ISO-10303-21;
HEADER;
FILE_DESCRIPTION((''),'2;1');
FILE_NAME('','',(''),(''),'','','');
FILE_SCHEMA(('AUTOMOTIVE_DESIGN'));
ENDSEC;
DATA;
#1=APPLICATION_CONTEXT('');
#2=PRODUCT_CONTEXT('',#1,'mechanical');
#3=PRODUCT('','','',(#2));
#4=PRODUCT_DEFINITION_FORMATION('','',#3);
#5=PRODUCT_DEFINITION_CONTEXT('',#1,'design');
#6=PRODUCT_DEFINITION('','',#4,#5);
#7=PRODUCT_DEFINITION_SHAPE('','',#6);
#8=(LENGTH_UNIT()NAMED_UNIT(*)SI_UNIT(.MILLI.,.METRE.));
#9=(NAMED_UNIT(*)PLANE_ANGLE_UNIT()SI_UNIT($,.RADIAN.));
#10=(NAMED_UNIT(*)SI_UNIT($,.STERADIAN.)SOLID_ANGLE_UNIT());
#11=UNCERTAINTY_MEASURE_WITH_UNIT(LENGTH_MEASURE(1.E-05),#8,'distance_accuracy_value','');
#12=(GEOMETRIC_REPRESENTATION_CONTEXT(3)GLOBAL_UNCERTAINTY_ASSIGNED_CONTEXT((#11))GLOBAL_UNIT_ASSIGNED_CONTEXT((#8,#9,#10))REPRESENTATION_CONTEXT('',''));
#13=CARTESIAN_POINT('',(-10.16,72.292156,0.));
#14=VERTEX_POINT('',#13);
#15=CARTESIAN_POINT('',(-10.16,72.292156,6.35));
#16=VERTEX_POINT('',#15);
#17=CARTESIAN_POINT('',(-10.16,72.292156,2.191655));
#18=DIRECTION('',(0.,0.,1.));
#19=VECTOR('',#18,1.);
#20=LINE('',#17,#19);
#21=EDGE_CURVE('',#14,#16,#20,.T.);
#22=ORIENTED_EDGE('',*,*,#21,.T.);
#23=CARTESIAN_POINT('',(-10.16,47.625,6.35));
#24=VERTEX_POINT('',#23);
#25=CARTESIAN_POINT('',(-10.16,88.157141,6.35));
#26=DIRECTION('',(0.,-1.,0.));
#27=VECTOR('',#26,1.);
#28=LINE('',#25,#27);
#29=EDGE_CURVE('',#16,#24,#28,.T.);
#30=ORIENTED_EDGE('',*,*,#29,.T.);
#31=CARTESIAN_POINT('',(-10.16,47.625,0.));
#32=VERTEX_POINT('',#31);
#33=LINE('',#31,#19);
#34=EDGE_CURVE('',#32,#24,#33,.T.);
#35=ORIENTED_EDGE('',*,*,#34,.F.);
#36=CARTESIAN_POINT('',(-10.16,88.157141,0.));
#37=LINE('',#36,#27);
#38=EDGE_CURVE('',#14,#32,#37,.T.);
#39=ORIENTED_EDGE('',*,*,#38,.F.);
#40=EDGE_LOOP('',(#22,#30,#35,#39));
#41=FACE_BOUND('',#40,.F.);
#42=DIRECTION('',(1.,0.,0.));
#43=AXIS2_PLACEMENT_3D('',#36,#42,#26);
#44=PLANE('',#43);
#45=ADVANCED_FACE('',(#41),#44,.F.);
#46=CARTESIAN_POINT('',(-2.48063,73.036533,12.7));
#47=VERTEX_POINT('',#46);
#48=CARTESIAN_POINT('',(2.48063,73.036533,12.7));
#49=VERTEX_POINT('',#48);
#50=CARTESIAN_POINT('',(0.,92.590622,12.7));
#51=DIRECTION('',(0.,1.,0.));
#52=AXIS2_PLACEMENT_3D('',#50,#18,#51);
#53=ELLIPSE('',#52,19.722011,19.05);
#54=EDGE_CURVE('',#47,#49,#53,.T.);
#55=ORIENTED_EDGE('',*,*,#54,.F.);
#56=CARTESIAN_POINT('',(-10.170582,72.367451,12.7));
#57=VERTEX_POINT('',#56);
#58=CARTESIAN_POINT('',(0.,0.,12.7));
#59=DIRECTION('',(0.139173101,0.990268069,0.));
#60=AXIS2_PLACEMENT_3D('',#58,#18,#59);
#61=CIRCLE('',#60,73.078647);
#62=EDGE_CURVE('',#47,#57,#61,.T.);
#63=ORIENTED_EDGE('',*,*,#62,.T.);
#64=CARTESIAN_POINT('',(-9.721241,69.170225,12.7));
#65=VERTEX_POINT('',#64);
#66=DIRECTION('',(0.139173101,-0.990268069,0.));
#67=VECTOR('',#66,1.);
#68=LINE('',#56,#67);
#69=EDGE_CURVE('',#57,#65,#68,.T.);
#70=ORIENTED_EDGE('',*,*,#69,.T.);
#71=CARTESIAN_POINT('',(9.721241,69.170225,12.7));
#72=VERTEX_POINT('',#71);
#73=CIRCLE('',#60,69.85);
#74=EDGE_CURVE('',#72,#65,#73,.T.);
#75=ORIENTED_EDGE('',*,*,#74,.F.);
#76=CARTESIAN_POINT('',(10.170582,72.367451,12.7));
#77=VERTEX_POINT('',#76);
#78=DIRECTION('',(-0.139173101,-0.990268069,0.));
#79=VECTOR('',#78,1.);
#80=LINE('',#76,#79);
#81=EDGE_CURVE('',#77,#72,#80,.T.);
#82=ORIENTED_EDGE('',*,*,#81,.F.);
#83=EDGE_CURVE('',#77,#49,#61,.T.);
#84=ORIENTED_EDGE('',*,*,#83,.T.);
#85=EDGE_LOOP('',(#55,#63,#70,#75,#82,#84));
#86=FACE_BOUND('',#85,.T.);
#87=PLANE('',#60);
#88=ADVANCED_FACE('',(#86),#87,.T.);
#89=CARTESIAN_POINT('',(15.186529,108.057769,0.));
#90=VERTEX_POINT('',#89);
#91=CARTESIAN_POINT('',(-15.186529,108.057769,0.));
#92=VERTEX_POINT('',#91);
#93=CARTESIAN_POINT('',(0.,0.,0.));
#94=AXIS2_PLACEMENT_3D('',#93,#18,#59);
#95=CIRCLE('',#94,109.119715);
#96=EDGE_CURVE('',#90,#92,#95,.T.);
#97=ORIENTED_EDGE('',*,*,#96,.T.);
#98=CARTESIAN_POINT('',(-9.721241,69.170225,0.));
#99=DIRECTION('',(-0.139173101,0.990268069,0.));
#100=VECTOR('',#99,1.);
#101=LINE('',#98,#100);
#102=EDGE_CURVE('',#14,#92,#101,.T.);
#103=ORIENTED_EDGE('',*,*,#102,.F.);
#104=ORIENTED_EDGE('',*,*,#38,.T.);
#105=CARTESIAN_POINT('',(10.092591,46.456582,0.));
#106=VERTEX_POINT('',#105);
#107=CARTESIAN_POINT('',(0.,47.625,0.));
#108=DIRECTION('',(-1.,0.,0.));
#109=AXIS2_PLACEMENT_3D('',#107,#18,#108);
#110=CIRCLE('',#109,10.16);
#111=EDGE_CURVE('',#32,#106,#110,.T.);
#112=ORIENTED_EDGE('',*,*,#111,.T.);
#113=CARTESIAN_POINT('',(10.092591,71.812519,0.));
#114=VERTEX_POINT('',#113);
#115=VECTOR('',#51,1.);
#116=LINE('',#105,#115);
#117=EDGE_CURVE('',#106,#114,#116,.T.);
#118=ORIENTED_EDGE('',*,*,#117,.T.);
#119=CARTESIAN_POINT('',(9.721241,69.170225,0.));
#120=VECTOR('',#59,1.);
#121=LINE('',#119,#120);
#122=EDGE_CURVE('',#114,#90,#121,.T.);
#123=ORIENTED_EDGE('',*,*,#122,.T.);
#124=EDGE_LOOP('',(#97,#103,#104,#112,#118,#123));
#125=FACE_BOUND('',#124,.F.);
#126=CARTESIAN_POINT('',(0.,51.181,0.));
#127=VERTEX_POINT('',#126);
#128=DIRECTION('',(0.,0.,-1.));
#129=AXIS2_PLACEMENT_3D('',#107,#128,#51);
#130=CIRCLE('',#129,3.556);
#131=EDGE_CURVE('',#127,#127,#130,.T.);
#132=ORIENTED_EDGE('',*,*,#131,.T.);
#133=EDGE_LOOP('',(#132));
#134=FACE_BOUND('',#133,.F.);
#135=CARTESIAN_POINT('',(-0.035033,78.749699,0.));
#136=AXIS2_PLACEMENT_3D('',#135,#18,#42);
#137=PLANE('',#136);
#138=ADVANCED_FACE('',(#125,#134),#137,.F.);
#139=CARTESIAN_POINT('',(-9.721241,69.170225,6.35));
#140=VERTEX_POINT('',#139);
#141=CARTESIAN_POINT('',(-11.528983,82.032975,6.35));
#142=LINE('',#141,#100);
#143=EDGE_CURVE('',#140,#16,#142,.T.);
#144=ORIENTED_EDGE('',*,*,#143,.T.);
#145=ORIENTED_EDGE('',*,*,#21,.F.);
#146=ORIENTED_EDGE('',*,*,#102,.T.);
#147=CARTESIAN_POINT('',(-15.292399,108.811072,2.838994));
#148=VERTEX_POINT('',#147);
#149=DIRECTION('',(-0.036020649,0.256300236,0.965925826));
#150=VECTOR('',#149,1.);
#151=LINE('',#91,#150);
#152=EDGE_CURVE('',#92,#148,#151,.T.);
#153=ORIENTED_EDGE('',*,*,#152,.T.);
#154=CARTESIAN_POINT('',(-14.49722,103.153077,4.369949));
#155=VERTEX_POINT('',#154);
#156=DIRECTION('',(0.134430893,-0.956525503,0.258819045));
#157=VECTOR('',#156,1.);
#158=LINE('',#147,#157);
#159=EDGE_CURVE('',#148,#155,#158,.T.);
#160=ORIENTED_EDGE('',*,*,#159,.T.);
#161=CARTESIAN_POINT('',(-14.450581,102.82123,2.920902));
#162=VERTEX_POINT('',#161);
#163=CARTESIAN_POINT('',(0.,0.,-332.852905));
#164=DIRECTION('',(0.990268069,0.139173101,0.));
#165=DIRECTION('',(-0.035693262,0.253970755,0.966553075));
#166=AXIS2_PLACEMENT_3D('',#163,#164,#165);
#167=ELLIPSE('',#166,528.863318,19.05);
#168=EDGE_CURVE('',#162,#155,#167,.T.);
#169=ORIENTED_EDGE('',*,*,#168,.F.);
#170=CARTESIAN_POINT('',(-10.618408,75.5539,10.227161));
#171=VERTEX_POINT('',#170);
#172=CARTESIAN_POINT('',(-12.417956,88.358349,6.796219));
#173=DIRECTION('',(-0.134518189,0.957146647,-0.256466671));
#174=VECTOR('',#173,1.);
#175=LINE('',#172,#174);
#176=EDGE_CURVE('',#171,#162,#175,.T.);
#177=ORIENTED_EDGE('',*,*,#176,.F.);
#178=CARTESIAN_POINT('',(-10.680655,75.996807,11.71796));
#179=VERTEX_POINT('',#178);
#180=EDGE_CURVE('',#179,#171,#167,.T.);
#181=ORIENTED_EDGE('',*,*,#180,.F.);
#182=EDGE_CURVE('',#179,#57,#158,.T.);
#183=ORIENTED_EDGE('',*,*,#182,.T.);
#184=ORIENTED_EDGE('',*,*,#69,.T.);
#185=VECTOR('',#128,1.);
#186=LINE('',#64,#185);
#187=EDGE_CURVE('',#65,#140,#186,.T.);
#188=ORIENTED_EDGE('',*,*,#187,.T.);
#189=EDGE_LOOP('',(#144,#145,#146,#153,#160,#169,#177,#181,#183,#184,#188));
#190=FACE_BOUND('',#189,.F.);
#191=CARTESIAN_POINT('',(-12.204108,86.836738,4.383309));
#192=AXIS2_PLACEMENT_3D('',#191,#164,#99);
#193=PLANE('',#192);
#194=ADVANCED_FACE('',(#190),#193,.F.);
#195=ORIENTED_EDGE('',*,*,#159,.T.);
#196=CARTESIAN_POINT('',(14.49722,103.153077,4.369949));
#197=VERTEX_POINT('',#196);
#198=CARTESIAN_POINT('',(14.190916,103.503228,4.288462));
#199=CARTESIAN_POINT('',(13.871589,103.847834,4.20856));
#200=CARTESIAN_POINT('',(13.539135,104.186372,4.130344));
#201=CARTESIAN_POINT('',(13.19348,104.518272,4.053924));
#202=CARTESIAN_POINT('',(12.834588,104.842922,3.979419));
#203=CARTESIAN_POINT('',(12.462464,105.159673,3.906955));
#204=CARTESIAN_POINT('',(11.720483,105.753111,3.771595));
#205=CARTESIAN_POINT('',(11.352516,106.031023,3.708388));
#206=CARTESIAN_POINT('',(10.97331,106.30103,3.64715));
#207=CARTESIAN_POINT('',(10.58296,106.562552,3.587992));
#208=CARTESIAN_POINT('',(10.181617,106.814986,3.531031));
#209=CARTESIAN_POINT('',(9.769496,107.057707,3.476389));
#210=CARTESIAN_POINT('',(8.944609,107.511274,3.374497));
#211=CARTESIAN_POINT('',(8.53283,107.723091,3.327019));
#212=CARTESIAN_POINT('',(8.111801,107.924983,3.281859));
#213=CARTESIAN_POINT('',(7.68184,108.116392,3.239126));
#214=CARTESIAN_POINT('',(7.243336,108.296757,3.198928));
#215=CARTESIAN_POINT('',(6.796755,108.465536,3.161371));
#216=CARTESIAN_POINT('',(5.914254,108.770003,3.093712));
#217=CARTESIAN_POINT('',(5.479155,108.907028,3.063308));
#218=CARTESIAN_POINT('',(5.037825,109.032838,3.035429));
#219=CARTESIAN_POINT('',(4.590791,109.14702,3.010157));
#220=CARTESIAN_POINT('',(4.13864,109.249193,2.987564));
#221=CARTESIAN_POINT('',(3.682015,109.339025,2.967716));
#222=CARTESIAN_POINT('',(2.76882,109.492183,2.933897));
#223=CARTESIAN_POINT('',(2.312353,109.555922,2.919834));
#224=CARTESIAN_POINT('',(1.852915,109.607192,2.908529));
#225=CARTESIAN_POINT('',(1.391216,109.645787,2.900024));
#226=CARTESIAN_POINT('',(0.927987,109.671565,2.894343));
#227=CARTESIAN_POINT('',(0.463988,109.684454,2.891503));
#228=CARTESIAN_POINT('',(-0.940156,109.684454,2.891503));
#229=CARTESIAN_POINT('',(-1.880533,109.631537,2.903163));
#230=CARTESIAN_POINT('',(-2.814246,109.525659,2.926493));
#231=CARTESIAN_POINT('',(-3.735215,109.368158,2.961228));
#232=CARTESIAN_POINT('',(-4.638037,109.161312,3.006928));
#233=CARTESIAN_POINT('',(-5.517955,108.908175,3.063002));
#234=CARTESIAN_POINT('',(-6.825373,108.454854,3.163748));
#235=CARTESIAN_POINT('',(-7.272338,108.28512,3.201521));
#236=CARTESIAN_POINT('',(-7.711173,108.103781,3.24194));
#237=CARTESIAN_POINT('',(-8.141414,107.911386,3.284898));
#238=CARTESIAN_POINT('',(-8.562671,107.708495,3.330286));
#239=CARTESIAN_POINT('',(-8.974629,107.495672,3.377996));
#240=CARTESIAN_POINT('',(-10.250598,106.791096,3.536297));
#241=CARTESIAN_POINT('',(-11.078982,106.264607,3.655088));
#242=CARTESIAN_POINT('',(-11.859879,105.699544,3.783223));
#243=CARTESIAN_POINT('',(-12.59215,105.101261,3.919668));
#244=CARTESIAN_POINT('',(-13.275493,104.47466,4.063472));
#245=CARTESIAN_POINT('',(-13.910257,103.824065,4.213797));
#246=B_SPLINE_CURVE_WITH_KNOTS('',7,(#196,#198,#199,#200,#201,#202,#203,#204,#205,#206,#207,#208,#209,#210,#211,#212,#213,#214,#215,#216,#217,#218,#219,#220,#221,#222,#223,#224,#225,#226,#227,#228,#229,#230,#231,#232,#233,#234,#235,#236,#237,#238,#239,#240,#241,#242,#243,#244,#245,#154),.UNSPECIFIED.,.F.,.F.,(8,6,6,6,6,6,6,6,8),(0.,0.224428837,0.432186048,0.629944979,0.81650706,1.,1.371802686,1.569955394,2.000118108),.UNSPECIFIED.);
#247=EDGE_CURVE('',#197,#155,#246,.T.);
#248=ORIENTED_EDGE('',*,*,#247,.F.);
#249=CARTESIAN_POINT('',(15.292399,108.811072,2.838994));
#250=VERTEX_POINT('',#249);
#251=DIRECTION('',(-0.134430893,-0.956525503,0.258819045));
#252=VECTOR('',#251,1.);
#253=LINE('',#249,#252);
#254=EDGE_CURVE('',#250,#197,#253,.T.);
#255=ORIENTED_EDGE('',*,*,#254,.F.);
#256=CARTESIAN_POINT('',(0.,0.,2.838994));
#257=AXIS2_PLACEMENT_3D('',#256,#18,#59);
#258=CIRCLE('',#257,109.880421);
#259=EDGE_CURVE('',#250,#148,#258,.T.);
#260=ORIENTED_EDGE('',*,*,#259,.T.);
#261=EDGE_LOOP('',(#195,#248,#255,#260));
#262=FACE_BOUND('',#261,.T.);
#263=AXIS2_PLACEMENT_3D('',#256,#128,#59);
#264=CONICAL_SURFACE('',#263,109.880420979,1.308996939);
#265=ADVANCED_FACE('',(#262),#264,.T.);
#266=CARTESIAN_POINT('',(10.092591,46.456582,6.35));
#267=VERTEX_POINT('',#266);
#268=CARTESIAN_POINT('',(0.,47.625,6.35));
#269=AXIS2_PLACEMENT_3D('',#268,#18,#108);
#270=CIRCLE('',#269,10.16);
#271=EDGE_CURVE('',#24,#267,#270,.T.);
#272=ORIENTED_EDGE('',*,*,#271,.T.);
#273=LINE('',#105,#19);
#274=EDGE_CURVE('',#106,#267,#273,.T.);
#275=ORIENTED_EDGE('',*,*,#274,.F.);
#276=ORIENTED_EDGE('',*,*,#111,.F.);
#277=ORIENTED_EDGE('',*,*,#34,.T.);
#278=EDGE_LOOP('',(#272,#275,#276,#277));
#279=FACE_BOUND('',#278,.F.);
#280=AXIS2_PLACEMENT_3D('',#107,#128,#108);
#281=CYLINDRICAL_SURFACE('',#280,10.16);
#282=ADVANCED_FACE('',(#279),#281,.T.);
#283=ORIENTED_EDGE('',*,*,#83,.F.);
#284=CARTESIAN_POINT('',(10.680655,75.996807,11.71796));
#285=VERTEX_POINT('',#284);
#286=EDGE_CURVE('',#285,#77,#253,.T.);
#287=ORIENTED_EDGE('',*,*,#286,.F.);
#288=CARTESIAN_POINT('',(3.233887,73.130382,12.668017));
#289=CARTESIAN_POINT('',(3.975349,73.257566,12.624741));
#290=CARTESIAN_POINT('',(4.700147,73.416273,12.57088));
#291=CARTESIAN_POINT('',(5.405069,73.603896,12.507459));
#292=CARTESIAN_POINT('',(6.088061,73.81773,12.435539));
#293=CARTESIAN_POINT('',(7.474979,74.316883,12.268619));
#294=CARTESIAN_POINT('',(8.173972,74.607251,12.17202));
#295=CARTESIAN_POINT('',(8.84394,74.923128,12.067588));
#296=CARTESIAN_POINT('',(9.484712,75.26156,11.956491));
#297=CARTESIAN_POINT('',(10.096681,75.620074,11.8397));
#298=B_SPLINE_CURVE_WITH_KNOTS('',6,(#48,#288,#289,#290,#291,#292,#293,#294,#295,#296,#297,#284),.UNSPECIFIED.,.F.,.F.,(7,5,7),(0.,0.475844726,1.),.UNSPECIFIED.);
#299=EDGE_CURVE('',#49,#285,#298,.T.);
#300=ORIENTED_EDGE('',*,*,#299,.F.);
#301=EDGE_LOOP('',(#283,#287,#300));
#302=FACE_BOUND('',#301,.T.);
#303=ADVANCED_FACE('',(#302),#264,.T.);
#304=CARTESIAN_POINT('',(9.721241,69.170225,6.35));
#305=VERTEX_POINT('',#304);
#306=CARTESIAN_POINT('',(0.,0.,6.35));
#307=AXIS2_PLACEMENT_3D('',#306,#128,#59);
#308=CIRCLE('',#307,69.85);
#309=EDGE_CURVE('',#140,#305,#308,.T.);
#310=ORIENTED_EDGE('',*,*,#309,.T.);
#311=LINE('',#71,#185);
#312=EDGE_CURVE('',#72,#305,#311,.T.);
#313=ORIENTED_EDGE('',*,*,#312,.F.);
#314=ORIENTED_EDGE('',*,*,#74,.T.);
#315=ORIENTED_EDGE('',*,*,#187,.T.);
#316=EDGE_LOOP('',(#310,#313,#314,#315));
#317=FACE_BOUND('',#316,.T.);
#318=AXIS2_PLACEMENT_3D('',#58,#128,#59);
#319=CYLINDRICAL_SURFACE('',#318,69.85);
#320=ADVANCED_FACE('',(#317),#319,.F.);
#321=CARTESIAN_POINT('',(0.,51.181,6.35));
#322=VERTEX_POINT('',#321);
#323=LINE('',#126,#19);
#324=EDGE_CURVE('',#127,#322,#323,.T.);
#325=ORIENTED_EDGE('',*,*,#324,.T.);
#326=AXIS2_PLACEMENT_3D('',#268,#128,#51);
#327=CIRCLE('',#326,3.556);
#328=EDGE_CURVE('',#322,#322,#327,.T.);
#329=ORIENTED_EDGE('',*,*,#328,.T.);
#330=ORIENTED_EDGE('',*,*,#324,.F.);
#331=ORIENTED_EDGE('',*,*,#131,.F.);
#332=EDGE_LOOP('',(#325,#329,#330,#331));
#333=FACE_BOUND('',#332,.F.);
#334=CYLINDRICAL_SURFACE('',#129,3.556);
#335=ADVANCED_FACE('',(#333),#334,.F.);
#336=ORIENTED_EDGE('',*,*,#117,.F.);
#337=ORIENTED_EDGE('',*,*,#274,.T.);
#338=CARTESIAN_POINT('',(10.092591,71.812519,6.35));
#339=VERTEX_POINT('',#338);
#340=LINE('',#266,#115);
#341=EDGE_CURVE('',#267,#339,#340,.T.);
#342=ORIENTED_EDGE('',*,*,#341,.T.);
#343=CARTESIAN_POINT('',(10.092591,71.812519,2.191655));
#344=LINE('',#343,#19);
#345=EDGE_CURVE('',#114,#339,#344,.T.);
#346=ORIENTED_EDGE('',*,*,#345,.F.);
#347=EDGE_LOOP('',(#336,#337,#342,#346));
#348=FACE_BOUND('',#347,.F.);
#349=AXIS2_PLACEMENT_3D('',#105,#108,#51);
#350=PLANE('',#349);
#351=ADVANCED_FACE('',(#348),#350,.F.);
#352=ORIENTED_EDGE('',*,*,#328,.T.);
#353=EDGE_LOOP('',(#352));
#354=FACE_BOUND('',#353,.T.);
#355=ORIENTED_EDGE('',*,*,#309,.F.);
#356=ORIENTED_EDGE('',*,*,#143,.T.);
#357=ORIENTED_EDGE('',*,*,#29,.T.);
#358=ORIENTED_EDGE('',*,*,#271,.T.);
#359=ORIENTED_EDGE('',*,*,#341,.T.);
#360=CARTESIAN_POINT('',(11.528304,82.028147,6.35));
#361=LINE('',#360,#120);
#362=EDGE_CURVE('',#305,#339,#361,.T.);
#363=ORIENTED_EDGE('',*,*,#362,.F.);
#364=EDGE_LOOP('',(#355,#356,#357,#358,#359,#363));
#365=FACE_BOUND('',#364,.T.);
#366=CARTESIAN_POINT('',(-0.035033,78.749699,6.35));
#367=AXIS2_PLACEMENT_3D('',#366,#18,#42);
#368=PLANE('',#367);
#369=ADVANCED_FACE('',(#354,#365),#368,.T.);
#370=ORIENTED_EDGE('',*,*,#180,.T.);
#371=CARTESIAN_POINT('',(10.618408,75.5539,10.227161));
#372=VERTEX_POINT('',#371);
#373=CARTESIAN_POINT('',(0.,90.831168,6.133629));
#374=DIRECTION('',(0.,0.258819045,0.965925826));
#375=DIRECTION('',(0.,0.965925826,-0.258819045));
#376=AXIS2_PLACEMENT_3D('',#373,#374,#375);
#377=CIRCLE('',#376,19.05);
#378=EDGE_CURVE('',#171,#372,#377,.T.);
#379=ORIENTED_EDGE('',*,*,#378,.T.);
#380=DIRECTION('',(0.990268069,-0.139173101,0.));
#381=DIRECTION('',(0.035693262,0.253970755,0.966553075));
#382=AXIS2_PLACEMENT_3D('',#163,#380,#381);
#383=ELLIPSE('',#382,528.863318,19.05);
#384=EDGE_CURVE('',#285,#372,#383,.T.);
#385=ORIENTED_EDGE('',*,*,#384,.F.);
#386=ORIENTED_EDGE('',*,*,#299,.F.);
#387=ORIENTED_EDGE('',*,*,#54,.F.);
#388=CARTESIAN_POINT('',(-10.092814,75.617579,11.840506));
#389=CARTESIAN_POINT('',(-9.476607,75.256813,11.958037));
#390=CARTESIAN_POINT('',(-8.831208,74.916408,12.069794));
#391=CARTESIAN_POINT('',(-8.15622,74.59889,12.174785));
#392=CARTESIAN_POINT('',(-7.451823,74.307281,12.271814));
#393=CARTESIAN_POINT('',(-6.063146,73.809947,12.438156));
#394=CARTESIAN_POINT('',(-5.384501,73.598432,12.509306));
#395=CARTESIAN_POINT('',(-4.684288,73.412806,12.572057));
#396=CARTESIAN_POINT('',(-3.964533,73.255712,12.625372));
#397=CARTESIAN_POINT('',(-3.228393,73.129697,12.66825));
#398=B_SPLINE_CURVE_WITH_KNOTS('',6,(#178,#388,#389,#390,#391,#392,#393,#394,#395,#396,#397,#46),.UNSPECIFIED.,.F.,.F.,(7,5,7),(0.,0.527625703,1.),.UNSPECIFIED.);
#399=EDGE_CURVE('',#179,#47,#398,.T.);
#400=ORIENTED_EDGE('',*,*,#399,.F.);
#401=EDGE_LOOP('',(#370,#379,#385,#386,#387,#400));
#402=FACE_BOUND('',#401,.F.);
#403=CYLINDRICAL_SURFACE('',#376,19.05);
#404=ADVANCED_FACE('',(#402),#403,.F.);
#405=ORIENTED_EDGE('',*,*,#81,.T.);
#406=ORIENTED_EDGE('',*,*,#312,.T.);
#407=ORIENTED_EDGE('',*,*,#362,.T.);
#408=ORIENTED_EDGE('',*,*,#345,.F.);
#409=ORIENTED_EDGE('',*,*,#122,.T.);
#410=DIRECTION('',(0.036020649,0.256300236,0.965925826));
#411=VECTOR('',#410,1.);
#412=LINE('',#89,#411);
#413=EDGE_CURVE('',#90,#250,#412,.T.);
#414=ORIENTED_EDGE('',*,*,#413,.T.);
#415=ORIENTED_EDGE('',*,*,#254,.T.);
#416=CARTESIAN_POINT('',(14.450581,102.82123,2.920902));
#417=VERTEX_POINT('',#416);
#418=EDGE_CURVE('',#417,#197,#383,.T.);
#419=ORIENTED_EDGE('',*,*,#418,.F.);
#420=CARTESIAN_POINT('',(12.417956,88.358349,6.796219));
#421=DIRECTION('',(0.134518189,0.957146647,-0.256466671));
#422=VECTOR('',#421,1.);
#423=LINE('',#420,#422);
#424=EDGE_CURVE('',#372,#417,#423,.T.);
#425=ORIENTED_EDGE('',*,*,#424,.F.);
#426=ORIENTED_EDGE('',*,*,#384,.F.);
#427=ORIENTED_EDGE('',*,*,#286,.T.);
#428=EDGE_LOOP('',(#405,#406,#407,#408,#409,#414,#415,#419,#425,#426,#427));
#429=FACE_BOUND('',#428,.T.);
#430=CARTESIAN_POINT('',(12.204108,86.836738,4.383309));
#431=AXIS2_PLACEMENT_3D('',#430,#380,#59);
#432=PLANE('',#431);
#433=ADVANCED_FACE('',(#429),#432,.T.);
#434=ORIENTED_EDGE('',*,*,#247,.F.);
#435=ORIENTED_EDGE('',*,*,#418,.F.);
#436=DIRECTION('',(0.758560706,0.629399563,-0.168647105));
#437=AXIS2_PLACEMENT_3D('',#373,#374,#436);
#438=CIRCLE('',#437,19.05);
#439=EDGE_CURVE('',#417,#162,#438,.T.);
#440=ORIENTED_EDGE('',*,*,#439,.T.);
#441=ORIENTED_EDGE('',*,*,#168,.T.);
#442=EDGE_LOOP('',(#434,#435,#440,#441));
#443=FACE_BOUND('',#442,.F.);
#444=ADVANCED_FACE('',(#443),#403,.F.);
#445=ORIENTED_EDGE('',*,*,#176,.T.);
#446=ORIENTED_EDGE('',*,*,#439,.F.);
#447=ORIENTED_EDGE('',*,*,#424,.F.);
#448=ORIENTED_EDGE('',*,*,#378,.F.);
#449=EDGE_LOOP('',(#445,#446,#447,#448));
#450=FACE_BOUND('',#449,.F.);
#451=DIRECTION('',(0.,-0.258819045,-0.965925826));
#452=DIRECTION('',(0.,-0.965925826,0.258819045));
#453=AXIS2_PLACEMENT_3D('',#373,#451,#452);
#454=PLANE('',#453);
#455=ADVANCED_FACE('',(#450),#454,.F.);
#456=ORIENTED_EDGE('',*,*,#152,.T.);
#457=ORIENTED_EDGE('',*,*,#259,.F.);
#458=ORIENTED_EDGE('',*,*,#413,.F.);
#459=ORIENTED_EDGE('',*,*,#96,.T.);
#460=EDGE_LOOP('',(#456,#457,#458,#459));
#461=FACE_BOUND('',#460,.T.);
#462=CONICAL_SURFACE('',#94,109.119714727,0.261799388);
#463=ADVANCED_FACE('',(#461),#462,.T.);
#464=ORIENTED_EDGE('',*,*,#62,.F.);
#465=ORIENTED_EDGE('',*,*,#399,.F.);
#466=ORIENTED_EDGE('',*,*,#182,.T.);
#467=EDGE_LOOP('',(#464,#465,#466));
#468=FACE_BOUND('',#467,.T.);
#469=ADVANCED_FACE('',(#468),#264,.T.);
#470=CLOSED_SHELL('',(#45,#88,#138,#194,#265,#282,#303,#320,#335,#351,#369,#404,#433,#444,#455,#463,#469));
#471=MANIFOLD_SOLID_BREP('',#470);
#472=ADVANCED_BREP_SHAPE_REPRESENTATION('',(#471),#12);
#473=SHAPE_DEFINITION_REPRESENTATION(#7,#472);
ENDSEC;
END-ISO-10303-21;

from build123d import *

# Parameters (mm, degrees)
F1_DEPTH      = 6.35
F3_ANGLE_BACK = 8
F3_ANGLE      = 16


with BuildPart() as f1:
    # F0 (on Top) → F1 (new body)
    with BuildSketch(Plane.XY):
        with BuildLine():
            ThreePointArc((-10.16, 69.1071407309), (-5.093560638, 69.664037638), (0, 69.85))
            ThreePointArc((0, 69.85), (5.0595865172, 69.6665133638), (10.0925913162, 69.1170174452))
            Line((10.0925913162, 69.1170174452), (10.0925913162, 88.1571407309))
            Line((10.0925913162, 88.1571407309), (-10.16, 88.1571407309))
            Line((-10.16, 88.1571407309), (-10.16, 69.1071407309))
        make_face()
        with BuildLine():
            ThreePointArc((10.0925913162, 69.1170174452), (5.0595865172, 69.6665133638), (0, 69.85))
            ThreePointArc((0, 69.85), (-5.093560638, 69.664037638), (-10.16, 69.1071407309))
            Line((-10.16, 69.1071407309), (-10.16, 47.625))
            ThreePointArc((-10.16, 47.625), (-0.5851804113, 37.4818661704), (10.0925913162, 46.456582042))
            Line((10.0925913162, 46.456582042), (10.0925913162, 69.1071407309))
            Line((10.0925913162, 69.1071407309), (10.0925913162, 69.1170174452))
        make_face()
        with BuildLine():
            ThreePointArc((3.556, 47.625), (-2.5144717139, 45.1105282861), (0, 51.181))
            ThreePointArc((0, 51.181), (2.5144717139, 50.1394717139), (3.556, 47.625))
        make_face(mode=Mode.SUBTRACT)
    extrude(amount=F1_DEPTH)

    # F2 (on Right) → F3 (revolve)
    with BuildSketch(Plane.YZ, mode=Mode.PRIVATE) as f3_sk:
        Polygon((69.85, 6.35), (69.85, 0), (109.1197147274, 0), (109.8804209793, 2.8389943816), (73.0786469976, 12.7), (69.85, 12.7), align=None)
    revolve(f3_sk.sketch.rotate(Axis((0, 0, 0), (0, 0, 1)), -F3_ANGLE_BACK), axis=Axis((0, 0, 0), (0, 0, 1)), revolution_arc=F3_ANGLE)

    # F4 (on Right) → F5 (revolve, cut)
    with BuildSketch(Plane.YZ):
        Polygon((91.6529184641, 9.2004434954), (90.8311679959, 6.1336289969), (109.2320549867, 1.2031261877), (110.0538054549, 4.2699406862), align=None)
    revolve(axis=Axis((0, 91.24204323, 7.6670362462), (0, 0.2588190451, 0.9659258263)), mode=Mode.SUBTRACT)


solid = f1.part
